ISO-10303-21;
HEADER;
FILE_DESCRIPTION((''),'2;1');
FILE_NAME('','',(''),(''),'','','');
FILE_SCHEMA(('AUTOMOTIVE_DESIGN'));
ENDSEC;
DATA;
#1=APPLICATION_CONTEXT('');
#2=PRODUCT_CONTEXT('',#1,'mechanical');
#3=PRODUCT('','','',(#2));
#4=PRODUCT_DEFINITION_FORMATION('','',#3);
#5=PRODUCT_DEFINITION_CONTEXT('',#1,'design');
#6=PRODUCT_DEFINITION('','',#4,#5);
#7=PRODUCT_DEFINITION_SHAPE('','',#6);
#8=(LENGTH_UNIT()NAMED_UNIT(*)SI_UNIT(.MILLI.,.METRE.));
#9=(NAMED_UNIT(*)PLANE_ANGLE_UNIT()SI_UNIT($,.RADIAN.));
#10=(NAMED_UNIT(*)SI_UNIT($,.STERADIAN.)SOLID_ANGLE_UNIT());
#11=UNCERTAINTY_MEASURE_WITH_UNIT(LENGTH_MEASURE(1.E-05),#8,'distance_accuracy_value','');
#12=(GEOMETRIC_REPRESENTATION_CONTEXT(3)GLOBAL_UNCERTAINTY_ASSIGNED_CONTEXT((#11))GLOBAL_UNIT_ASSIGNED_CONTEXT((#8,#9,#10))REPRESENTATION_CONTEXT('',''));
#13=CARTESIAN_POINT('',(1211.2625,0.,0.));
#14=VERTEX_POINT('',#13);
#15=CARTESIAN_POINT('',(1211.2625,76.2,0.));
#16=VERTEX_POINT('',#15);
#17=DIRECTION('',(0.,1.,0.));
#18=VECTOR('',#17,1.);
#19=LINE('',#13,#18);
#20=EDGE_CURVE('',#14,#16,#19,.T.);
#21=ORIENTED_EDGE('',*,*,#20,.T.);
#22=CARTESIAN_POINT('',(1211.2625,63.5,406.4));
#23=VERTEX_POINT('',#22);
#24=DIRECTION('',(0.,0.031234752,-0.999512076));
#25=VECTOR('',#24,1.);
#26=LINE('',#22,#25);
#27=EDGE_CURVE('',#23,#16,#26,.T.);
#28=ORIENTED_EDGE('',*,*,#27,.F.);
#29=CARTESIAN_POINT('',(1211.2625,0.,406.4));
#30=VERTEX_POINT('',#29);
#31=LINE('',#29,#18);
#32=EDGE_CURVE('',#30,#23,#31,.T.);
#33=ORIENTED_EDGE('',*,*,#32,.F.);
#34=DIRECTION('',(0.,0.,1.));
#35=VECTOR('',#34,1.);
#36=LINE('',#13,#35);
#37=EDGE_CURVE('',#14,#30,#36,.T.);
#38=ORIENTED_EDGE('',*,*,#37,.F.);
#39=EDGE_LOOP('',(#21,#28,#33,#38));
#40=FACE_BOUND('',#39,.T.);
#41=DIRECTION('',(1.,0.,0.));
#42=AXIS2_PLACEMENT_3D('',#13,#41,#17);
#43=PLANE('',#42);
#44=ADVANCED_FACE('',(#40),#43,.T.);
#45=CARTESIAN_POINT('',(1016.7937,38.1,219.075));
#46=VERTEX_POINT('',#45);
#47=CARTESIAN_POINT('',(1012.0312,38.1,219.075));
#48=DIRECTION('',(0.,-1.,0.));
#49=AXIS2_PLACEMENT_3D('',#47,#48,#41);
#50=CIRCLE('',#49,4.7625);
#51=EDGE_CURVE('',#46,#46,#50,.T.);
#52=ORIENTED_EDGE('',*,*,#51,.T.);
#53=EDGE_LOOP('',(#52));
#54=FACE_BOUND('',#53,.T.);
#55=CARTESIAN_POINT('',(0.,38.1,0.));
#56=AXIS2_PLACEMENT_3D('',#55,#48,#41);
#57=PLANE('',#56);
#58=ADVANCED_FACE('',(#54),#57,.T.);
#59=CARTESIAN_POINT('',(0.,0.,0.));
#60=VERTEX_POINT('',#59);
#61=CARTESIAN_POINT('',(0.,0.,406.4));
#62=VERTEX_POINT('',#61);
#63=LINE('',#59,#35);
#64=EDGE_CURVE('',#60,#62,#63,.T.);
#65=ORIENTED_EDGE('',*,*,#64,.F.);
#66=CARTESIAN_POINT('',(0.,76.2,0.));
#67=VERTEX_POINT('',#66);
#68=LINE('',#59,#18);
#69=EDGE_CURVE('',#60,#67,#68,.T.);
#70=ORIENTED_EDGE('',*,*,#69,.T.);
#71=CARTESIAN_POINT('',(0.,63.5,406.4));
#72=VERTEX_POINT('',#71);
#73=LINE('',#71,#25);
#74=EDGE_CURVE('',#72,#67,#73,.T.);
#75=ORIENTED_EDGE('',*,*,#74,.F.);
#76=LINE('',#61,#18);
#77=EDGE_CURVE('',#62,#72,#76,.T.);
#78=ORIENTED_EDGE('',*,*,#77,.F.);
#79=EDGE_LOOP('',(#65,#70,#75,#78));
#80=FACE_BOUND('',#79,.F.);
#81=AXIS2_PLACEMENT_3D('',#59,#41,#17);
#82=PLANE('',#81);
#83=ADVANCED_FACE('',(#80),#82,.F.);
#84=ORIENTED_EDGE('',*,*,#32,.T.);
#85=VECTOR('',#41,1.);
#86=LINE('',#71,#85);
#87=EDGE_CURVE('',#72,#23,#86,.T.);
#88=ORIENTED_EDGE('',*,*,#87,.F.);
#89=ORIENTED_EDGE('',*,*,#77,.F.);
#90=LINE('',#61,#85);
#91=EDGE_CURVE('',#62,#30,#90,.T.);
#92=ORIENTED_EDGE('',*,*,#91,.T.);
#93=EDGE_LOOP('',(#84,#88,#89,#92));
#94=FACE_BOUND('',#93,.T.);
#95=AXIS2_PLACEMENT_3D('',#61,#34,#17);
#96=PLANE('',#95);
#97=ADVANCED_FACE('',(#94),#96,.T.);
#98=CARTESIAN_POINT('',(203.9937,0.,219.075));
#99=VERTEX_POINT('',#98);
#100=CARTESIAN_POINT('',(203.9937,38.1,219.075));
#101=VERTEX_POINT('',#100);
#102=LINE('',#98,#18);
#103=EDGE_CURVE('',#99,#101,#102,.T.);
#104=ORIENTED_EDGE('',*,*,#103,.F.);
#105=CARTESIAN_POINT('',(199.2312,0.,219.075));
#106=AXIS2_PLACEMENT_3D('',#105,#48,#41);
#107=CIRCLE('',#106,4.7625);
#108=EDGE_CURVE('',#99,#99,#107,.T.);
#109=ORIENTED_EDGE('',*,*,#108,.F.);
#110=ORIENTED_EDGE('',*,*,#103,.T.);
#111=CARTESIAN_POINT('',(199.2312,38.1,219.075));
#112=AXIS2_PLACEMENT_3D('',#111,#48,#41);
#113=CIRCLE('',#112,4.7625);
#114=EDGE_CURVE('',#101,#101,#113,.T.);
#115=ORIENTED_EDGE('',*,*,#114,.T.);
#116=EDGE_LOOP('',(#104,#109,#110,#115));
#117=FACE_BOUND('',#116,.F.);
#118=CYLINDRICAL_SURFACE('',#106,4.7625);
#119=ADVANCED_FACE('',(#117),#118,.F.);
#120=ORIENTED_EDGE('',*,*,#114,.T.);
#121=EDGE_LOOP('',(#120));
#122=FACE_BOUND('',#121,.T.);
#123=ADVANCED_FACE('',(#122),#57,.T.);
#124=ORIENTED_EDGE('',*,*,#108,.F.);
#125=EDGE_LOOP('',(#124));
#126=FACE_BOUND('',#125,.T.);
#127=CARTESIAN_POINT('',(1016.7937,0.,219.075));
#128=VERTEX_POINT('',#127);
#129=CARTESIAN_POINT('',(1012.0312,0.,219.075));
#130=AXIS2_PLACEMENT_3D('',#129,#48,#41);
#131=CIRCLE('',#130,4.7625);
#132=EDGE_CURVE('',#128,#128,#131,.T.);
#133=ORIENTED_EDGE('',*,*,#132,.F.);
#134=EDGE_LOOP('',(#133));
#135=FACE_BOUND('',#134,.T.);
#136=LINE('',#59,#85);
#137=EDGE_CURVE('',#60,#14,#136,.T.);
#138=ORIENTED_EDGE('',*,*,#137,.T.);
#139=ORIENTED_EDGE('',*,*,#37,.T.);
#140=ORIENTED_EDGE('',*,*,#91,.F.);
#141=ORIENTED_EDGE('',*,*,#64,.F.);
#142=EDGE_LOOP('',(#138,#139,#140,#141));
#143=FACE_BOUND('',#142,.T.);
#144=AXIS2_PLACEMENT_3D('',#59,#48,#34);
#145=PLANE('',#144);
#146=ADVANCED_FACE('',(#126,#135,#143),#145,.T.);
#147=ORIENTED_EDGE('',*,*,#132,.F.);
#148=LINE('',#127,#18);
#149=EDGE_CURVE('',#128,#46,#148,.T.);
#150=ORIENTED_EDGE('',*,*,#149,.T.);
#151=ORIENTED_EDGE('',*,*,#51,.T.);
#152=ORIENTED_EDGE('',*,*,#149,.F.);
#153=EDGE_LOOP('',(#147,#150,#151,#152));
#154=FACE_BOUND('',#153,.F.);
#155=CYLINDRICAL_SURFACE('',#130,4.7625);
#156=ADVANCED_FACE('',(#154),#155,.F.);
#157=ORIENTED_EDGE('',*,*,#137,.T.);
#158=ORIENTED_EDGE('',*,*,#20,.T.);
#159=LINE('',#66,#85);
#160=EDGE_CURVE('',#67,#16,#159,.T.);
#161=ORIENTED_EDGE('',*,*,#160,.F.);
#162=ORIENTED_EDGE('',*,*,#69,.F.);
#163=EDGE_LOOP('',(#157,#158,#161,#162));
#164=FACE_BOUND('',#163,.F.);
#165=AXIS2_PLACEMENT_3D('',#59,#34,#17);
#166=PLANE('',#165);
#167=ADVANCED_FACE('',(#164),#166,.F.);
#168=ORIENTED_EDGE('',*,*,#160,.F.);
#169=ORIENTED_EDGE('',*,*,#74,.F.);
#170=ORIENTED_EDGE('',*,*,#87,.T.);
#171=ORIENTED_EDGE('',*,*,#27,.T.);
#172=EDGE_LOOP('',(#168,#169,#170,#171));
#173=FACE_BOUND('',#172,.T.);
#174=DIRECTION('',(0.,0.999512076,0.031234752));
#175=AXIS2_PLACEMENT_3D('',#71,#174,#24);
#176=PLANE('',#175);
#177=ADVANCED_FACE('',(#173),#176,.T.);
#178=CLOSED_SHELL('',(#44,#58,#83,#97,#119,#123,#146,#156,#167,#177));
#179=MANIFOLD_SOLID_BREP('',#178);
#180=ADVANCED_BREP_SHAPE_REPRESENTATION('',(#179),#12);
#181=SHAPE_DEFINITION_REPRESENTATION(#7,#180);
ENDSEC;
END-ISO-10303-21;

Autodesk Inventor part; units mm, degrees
ref_plane "YZ Plane" through (0, 0, 0) normal (1, 0, 0) x (0, 1, 0)
ref_plane "XZ Plane" through (0, 0, 0) normal (0, 1, 0) x (-1, 0, 0)
ref_plane "XY Plane" through (0, 0, 0) normal (0, 0, 1) x (1, 0, 0)
sketch "Sketch1" plane through (0, 0, 0) normal (1, 0, 0) x (0, 1, 0)
  line L0 (0, 0) -> (76.2, 0)
  line L1 (0, 0) -> (0, 406.4)
  line L2 (0, 406.4) -> (63.5, 406.4)
  line L3 (63.5, 406.4) -> (76.2, 0)
  dimension "d0" = 76.2
  dimension "d1" = 406.4
  dimension "d2" = 63.5
extrude "Extrusion1" add sketch "Sketch1" along normal blind 1211.2625
sketch "Sketch2" plane through (0, 0, 0) normal (0, -1, 0) x (1, 0, 0)
  line L0 (0, 406.4) -> (1211.2625, 406.4) projected
  line L1 (1211.2625, 406.4) -> (1211.2625, 0) projected
  line L2 (0, 406.4) -> (0, 0) projected
  line L3 (1211.2625, 0) -> (1211.2625, 406.4) construction
  line L4 (1211.2625, 219.075) -> (0, 219.075) construction
  line L5 (0, 406.4) -> (1211.2625, 406.4) construction
  line L6 (1012.0312, 406.4) -> (1012.0312, 0) construction
  line L7 (0, 0) -> (1211.2625, 0) construction
  line L8 (199.2312, 406.4) -> (199.2312, 0) construction
  line L9 (605.6313, 0) -> (605.6313, 406.4) construction
  circle A0 centre (1012.0312, 219.075) radius 4.7625
  circle A1 centre (199.2312, 219.075) radius 4.7625
  dimension "d5" = 187.325
  dimension "d6" = 812.8
  dimension "d7" = 9.525
  dimension "d8" = 9.525
extrude "Extrusion2" cut sketch "Sketch2" against normal blind 38.1
equation "\"d8\" = d7"
properties part number "Coping - 4" material "Granite, Cut, Polished"
